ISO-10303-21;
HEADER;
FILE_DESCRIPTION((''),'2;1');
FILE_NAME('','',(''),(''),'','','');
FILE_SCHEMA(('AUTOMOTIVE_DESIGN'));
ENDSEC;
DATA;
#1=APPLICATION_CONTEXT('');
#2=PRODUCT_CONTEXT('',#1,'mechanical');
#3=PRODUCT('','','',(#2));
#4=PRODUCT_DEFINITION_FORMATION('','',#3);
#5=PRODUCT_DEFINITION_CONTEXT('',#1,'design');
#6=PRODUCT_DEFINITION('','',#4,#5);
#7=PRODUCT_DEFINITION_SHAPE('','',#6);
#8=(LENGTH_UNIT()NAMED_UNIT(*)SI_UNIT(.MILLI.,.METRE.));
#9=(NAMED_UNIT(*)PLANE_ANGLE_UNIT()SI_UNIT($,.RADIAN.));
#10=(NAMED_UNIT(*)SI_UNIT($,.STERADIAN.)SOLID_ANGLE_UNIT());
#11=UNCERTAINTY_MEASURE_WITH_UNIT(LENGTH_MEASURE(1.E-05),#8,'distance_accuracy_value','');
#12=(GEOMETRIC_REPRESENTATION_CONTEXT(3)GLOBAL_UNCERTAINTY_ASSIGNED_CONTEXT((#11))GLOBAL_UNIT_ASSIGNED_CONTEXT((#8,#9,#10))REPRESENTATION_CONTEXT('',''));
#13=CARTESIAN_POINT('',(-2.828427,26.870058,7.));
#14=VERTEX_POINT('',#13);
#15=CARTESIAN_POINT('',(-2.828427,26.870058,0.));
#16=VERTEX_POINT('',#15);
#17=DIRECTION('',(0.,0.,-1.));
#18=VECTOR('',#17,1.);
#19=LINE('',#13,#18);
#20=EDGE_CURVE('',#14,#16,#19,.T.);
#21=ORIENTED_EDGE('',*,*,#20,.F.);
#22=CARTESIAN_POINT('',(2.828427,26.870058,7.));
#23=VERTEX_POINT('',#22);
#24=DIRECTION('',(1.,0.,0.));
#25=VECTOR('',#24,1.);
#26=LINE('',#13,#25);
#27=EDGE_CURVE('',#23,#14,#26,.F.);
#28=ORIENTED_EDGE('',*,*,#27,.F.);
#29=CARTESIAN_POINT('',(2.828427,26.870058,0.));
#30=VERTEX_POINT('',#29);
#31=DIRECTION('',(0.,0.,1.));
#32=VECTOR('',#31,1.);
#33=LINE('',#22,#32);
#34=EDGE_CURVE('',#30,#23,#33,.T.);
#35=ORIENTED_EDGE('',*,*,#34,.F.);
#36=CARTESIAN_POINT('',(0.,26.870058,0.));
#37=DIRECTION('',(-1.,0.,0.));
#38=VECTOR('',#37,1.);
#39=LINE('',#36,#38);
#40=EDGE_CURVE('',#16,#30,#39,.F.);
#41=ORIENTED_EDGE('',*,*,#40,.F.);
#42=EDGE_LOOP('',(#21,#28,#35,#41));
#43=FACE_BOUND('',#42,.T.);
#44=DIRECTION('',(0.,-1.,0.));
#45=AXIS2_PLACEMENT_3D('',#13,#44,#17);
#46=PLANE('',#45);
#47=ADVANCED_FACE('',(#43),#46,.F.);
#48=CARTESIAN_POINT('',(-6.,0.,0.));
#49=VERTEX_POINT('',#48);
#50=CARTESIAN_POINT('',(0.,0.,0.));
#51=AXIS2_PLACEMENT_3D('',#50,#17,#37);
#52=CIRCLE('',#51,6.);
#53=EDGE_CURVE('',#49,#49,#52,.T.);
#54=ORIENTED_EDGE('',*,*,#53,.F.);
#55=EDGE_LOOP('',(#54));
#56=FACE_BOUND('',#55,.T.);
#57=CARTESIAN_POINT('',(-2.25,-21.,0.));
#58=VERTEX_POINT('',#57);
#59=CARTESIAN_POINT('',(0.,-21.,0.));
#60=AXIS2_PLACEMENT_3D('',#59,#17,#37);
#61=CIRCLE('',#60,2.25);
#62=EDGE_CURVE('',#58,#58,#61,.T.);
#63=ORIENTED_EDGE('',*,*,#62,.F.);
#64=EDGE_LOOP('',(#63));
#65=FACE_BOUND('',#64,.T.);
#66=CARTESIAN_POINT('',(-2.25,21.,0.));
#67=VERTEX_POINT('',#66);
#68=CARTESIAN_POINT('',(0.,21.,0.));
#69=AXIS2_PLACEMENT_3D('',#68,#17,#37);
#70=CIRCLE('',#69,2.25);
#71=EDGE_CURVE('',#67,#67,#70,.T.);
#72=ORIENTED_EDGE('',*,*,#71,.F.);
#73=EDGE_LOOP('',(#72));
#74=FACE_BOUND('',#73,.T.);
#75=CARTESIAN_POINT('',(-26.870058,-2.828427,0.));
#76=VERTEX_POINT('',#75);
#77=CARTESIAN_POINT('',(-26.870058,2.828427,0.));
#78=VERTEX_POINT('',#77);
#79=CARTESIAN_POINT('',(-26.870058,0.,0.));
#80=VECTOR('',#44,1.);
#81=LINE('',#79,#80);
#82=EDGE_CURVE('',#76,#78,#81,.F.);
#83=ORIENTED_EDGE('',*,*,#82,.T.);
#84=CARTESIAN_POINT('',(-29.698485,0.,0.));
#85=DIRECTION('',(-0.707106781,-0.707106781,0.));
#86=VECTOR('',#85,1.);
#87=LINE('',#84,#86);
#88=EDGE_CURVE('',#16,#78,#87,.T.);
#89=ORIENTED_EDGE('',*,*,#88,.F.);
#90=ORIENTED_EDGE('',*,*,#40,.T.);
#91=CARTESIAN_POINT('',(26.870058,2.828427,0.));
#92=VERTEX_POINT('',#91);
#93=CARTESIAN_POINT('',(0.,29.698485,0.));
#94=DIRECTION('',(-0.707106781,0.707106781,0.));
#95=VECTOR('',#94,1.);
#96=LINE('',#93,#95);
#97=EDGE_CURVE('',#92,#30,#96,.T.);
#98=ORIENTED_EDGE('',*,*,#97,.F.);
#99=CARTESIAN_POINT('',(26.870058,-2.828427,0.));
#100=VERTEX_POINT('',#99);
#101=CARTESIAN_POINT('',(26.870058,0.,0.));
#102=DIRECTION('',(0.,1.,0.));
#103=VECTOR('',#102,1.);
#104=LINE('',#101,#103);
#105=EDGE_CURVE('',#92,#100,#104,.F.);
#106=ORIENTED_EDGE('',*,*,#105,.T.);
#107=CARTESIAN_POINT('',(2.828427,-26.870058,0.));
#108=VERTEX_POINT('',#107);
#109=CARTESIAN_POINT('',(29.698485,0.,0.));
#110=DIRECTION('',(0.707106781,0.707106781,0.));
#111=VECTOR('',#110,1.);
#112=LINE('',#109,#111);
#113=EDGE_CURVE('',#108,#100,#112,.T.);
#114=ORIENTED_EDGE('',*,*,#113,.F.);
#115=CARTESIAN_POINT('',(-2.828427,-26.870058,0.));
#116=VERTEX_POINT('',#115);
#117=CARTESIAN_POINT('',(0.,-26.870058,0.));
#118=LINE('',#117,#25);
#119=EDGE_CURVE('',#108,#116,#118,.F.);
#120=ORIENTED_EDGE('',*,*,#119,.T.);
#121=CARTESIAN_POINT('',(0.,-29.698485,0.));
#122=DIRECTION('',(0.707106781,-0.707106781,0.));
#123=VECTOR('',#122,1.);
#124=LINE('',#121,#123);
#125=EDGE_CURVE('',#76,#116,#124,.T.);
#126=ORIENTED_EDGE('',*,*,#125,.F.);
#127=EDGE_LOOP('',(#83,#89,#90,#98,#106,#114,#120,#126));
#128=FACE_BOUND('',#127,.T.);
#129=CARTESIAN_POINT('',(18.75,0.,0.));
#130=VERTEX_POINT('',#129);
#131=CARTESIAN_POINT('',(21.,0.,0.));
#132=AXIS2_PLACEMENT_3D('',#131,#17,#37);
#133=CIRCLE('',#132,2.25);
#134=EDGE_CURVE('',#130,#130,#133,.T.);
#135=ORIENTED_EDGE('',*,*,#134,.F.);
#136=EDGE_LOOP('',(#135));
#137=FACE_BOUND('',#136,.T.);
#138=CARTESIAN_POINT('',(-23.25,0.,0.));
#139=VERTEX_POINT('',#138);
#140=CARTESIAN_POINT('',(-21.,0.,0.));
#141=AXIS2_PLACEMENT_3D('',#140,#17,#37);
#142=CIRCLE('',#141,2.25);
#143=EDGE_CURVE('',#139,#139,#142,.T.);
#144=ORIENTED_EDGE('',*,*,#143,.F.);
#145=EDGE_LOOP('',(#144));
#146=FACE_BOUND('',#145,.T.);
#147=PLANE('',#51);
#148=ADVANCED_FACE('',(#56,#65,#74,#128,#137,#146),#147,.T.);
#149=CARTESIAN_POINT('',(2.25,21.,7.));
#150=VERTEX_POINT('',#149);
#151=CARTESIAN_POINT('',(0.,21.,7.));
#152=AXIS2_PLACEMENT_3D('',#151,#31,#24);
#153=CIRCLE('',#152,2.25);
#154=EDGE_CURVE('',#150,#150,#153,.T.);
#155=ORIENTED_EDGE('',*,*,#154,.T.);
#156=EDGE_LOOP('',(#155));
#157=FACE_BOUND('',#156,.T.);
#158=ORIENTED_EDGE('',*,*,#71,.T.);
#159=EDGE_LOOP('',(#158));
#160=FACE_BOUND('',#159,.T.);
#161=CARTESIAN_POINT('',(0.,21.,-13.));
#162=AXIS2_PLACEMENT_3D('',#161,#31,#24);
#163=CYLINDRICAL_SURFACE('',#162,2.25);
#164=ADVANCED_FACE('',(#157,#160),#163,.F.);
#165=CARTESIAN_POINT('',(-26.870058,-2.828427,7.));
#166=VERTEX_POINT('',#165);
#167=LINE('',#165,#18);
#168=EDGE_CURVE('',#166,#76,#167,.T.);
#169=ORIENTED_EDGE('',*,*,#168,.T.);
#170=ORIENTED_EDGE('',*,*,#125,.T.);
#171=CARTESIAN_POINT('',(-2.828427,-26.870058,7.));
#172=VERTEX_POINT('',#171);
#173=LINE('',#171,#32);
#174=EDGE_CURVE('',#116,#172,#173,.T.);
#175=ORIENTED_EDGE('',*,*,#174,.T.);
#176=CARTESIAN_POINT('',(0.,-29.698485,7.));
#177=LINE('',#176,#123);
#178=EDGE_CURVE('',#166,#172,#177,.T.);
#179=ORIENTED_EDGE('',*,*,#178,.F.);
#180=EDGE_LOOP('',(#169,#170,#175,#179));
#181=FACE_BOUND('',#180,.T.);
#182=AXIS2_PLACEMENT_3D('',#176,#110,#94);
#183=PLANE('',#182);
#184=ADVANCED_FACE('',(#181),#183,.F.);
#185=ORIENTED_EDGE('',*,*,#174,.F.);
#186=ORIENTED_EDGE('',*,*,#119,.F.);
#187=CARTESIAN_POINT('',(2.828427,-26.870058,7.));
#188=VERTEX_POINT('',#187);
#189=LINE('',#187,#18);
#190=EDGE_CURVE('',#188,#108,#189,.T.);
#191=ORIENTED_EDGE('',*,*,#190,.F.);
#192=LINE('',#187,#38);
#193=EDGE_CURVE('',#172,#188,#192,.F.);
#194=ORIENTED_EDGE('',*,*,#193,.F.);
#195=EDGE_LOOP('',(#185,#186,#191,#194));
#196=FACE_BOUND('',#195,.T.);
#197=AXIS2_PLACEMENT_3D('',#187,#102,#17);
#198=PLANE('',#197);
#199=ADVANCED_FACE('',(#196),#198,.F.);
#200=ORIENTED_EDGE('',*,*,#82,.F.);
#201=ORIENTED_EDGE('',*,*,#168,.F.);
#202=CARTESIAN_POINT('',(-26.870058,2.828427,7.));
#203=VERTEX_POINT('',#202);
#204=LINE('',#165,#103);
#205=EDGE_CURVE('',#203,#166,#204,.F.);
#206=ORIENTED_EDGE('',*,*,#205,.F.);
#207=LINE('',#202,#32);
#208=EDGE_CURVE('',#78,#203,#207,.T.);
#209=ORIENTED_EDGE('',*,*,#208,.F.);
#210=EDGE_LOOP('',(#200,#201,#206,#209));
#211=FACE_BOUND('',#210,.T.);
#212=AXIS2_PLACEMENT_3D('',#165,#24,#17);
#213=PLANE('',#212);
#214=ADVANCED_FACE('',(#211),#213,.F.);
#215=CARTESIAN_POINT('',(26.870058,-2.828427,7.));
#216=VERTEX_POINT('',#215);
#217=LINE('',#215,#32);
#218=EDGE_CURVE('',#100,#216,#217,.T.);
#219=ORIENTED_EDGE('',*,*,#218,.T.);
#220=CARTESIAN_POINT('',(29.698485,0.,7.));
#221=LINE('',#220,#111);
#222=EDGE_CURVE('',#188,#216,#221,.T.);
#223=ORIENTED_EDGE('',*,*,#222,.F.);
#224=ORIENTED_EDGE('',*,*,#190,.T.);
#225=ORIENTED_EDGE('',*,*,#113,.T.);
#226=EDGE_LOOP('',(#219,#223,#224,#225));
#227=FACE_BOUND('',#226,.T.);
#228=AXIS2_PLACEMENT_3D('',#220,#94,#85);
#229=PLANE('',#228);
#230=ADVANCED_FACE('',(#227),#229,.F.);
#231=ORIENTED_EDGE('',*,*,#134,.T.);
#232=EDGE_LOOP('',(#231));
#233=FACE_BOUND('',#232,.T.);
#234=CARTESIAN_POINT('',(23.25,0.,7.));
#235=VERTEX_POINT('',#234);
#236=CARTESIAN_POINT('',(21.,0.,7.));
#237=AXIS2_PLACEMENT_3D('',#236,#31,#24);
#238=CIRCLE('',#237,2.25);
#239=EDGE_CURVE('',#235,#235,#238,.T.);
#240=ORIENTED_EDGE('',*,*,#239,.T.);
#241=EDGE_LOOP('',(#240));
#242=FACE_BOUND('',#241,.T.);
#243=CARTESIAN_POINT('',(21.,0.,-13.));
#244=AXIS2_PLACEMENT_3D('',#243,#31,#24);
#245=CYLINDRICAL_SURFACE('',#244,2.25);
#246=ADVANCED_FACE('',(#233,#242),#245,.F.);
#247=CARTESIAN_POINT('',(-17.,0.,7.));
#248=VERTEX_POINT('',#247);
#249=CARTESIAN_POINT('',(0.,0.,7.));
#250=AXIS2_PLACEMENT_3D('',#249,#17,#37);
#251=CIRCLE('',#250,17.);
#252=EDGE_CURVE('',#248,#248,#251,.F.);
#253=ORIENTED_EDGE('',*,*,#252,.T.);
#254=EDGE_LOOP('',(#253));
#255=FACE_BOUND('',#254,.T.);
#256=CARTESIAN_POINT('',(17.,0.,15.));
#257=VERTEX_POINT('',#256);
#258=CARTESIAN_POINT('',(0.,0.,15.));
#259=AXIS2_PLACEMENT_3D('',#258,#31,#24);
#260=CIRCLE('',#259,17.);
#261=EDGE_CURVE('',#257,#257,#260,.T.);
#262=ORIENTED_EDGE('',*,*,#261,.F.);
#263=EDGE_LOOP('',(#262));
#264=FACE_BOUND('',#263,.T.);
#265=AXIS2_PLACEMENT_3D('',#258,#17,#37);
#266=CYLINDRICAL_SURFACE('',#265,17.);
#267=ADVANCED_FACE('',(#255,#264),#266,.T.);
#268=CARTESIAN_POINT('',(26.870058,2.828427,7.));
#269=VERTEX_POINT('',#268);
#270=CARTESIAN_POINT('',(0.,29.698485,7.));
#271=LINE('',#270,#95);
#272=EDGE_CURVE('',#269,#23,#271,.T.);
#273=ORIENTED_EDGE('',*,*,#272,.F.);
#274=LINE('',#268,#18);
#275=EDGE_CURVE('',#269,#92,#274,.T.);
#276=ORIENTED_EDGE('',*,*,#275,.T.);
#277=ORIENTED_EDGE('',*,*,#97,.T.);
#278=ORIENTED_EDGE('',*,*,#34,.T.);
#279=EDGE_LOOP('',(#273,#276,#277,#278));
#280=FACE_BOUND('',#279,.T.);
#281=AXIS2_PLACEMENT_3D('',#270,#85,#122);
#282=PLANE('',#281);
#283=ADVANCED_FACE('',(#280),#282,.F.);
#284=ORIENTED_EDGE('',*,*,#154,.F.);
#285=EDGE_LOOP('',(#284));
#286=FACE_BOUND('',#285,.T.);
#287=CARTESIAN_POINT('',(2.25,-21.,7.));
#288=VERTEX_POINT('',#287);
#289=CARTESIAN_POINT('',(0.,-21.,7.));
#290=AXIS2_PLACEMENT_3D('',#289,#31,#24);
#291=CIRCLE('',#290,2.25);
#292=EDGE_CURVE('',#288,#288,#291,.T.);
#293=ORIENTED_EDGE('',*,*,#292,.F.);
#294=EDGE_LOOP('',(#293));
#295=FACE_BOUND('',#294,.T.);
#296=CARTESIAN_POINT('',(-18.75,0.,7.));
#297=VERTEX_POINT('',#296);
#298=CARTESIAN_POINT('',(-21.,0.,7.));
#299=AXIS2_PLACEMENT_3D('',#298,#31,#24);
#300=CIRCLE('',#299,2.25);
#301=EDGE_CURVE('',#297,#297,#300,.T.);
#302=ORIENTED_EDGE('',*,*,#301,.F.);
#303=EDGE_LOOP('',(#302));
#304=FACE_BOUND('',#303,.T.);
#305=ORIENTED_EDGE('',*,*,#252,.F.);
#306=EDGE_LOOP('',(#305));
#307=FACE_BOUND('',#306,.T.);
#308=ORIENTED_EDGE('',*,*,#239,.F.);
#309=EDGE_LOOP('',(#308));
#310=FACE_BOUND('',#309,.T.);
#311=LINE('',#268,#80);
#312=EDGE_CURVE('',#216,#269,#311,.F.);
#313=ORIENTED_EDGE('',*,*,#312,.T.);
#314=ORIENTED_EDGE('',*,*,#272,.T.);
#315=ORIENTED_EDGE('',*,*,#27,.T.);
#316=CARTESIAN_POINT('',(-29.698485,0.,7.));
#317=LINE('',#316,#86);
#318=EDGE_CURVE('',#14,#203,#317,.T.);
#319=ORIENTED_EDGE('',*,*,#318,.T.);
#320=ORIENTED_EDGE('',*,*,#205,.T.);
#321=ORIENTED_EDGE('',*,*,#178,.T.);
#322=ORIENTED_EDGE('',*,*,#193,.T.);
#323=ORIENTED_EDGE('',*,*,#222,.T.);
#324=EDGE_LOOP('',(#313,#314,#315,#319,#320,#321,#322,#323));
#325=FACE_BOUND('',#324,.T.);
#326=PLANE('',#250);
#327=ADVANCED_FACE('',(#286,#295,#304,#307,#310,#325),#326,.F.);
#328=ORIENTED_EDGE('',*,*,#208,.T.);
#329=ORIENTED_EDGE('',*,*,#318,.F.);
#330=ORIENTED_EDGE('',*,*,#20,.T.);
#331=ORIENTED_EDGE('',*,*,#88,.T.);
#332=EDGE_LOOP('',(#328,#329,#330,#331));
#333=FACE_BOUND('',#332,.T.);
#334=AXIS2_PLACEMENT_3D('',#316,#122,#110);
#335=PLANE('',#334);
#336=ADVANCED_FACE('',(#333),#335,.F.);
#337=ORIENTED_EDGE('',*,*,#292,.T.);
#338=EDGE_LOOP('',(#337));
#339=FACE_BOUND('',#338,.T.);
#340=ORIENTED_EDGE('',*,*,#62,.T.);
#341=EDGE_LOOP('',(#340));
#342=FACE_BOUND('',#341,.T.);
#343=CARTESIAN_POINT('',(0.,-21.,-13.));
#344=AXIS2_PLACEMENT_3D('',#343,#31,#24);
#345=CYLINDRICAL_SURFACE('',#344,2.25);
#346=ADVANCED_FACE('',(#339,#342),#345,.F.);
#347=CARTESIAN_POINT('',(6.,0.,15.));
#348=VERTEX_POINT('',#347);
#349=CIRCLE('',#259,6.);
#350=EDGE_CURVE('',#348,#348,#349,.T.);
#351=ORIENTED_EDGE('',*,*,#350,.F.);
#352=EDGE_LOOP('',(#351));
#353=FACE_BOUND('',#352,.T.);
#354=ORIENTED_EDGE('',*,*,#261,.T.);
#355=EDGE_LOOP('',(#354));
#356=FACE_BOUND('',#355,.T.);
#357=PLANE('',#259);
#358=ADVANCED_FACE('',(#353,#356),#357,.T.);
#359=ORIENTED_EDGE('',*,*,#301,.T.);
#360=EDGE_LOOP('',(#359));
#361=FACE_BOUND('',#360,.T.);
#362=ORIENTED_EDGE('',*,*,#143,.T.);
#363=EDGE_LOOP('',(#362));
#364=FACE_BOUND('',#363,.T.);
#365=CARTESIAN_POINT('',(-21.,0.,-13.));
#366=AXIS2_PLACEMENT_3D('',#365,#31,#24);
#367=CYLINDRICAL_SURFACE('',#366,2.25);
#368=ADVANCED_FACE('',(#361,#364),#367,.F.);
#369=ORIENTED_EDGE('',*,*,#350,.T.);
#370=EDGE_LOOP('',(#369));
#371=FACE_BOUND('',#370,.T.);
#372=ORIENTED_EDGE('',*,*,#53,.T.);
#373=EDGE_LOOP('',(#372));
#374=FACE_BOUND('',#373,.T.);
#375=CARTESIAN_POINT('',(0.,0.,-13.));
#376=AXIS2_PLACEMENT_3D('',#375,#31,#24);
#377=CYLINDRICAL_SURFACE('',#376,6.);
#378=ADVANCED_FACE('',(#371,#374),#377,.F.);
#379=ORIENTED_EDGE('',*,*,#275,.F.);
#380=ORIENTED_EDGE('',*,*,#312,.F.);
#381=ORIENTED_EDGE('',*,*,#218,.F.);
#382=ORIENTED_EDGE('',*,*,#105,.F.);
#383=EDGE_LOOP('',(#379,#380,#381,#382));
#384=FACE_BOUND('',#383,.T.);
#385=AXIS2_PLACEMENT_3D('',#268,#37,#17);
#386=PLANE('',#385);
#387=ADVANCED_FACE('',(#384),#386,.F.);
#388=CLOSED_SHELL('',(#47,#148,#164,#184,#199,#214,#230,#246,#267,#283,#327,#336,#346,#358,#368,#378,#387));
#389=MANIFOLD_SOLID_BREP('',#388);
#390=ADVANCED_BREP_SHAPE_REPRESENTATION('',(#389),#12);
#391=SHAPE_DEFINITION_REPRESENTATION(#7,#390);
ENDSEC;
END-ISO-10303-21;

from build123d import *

# Parameters (mm, degrees)
EXTRUSION1_DEPTH = 7
SKETCH2_R        = 2.25
EXTRUSION2_DEPTH = 20
SKETCH3_R        = 6
EXTRUSION3_DEPTH = 20
EXTRUSION4_START = 8
SKETCH4_R        = 17
SKETCH4_R_2      = 6
EXTRUSION4_DEPTH = 8
CHAMFER1_SIZE    = 4
CHAMFER2_SIZE    = 4
CHAMFER3_SIZE    = 4
CHAMFER4_SIZE    = 4


with BuildPart() as part:
    # Sketch1 → Extrusion1 (new body)
    with BuildSketch(Plane.XY):
        Polygon((-29.69848481, 0), (0, 29.69848481), (29.69848481, 0), (0, -29.69848481), align=None)
    extrude(amount=EXTRUSION1_DEPTH)

    # Sketch2 → Extrusion2 (cut)
    with BuildSketch(Plane.XY.offset(7)):
        with Locations((0, 21)):
            Circle(SKETCH2_R)
        with Locations((21, 0)):
            Circle(SKETCH2_R)
        with Locations((0, -21)):
            Circle(SKETCH2_R)
        with Locations((-21, 0)):
            Circle(SKETCH2_R)
    extrude(amount=-EXTRUSION2_DEPTH, mode=Mode.SUBTRACT)

    # Sketch3 → Extrusion3 (cut)
    with BuildSketch(Plane.XY.offset(7)):
        Circle(SKETCH3_R)
    extrude(amount=-EXTRUSION3_DEPTH, mode=Mode.SUBTRACT)

    # Sketch4 → Extrusion4 (add)
    with BuildSketch(Plane.XY.offset(7).offset(EXTRUSION4_START)):
        with Locations(Location((0, 0, 0), (0, 0, 180))):
            Circle(SKETCH4_R)
        Circle(SKETCH4_R_2, mode=Mode.SUBTRACT)
    extrude(amount=-EXTRUSION4_DEPTH)

    # Chamfer1
    chamfer1_edges = [part.edges().sort_by_distance(p)[0] for p in [
        (0, 29.69848481, 3.5),
    ]]
    chamfer(chamfer1_edges, length=CHAMFER1_SIZE)

    # Chamfer2
    chamfer2_edges = [part.edges().sort_by_distance(p)[0] for p in [
        (29.69848481, 0, 3.5),
    ]]
    chamfer(chamfer2_edges, length=CHAMFER2_SIZE)

    # Chamfer3
    chamfer3_edges = [part.edges().sort_by_distance(p)[0] for p in [
        (-29.69848481, 0, 3.5),
    ]]
    chamfer(chamfer3_edges, length=CHAMFER3_SIZE)

    # Chamfer4
    chamfer4_edges = [part.edges().sort_by_distance(p)[0] for p in [
        (0, -29.69848481, 3.5),
    ]]
    chamfer(chamfer4_edges, length=CHAMFER4_SIZE)


solid = part.part
